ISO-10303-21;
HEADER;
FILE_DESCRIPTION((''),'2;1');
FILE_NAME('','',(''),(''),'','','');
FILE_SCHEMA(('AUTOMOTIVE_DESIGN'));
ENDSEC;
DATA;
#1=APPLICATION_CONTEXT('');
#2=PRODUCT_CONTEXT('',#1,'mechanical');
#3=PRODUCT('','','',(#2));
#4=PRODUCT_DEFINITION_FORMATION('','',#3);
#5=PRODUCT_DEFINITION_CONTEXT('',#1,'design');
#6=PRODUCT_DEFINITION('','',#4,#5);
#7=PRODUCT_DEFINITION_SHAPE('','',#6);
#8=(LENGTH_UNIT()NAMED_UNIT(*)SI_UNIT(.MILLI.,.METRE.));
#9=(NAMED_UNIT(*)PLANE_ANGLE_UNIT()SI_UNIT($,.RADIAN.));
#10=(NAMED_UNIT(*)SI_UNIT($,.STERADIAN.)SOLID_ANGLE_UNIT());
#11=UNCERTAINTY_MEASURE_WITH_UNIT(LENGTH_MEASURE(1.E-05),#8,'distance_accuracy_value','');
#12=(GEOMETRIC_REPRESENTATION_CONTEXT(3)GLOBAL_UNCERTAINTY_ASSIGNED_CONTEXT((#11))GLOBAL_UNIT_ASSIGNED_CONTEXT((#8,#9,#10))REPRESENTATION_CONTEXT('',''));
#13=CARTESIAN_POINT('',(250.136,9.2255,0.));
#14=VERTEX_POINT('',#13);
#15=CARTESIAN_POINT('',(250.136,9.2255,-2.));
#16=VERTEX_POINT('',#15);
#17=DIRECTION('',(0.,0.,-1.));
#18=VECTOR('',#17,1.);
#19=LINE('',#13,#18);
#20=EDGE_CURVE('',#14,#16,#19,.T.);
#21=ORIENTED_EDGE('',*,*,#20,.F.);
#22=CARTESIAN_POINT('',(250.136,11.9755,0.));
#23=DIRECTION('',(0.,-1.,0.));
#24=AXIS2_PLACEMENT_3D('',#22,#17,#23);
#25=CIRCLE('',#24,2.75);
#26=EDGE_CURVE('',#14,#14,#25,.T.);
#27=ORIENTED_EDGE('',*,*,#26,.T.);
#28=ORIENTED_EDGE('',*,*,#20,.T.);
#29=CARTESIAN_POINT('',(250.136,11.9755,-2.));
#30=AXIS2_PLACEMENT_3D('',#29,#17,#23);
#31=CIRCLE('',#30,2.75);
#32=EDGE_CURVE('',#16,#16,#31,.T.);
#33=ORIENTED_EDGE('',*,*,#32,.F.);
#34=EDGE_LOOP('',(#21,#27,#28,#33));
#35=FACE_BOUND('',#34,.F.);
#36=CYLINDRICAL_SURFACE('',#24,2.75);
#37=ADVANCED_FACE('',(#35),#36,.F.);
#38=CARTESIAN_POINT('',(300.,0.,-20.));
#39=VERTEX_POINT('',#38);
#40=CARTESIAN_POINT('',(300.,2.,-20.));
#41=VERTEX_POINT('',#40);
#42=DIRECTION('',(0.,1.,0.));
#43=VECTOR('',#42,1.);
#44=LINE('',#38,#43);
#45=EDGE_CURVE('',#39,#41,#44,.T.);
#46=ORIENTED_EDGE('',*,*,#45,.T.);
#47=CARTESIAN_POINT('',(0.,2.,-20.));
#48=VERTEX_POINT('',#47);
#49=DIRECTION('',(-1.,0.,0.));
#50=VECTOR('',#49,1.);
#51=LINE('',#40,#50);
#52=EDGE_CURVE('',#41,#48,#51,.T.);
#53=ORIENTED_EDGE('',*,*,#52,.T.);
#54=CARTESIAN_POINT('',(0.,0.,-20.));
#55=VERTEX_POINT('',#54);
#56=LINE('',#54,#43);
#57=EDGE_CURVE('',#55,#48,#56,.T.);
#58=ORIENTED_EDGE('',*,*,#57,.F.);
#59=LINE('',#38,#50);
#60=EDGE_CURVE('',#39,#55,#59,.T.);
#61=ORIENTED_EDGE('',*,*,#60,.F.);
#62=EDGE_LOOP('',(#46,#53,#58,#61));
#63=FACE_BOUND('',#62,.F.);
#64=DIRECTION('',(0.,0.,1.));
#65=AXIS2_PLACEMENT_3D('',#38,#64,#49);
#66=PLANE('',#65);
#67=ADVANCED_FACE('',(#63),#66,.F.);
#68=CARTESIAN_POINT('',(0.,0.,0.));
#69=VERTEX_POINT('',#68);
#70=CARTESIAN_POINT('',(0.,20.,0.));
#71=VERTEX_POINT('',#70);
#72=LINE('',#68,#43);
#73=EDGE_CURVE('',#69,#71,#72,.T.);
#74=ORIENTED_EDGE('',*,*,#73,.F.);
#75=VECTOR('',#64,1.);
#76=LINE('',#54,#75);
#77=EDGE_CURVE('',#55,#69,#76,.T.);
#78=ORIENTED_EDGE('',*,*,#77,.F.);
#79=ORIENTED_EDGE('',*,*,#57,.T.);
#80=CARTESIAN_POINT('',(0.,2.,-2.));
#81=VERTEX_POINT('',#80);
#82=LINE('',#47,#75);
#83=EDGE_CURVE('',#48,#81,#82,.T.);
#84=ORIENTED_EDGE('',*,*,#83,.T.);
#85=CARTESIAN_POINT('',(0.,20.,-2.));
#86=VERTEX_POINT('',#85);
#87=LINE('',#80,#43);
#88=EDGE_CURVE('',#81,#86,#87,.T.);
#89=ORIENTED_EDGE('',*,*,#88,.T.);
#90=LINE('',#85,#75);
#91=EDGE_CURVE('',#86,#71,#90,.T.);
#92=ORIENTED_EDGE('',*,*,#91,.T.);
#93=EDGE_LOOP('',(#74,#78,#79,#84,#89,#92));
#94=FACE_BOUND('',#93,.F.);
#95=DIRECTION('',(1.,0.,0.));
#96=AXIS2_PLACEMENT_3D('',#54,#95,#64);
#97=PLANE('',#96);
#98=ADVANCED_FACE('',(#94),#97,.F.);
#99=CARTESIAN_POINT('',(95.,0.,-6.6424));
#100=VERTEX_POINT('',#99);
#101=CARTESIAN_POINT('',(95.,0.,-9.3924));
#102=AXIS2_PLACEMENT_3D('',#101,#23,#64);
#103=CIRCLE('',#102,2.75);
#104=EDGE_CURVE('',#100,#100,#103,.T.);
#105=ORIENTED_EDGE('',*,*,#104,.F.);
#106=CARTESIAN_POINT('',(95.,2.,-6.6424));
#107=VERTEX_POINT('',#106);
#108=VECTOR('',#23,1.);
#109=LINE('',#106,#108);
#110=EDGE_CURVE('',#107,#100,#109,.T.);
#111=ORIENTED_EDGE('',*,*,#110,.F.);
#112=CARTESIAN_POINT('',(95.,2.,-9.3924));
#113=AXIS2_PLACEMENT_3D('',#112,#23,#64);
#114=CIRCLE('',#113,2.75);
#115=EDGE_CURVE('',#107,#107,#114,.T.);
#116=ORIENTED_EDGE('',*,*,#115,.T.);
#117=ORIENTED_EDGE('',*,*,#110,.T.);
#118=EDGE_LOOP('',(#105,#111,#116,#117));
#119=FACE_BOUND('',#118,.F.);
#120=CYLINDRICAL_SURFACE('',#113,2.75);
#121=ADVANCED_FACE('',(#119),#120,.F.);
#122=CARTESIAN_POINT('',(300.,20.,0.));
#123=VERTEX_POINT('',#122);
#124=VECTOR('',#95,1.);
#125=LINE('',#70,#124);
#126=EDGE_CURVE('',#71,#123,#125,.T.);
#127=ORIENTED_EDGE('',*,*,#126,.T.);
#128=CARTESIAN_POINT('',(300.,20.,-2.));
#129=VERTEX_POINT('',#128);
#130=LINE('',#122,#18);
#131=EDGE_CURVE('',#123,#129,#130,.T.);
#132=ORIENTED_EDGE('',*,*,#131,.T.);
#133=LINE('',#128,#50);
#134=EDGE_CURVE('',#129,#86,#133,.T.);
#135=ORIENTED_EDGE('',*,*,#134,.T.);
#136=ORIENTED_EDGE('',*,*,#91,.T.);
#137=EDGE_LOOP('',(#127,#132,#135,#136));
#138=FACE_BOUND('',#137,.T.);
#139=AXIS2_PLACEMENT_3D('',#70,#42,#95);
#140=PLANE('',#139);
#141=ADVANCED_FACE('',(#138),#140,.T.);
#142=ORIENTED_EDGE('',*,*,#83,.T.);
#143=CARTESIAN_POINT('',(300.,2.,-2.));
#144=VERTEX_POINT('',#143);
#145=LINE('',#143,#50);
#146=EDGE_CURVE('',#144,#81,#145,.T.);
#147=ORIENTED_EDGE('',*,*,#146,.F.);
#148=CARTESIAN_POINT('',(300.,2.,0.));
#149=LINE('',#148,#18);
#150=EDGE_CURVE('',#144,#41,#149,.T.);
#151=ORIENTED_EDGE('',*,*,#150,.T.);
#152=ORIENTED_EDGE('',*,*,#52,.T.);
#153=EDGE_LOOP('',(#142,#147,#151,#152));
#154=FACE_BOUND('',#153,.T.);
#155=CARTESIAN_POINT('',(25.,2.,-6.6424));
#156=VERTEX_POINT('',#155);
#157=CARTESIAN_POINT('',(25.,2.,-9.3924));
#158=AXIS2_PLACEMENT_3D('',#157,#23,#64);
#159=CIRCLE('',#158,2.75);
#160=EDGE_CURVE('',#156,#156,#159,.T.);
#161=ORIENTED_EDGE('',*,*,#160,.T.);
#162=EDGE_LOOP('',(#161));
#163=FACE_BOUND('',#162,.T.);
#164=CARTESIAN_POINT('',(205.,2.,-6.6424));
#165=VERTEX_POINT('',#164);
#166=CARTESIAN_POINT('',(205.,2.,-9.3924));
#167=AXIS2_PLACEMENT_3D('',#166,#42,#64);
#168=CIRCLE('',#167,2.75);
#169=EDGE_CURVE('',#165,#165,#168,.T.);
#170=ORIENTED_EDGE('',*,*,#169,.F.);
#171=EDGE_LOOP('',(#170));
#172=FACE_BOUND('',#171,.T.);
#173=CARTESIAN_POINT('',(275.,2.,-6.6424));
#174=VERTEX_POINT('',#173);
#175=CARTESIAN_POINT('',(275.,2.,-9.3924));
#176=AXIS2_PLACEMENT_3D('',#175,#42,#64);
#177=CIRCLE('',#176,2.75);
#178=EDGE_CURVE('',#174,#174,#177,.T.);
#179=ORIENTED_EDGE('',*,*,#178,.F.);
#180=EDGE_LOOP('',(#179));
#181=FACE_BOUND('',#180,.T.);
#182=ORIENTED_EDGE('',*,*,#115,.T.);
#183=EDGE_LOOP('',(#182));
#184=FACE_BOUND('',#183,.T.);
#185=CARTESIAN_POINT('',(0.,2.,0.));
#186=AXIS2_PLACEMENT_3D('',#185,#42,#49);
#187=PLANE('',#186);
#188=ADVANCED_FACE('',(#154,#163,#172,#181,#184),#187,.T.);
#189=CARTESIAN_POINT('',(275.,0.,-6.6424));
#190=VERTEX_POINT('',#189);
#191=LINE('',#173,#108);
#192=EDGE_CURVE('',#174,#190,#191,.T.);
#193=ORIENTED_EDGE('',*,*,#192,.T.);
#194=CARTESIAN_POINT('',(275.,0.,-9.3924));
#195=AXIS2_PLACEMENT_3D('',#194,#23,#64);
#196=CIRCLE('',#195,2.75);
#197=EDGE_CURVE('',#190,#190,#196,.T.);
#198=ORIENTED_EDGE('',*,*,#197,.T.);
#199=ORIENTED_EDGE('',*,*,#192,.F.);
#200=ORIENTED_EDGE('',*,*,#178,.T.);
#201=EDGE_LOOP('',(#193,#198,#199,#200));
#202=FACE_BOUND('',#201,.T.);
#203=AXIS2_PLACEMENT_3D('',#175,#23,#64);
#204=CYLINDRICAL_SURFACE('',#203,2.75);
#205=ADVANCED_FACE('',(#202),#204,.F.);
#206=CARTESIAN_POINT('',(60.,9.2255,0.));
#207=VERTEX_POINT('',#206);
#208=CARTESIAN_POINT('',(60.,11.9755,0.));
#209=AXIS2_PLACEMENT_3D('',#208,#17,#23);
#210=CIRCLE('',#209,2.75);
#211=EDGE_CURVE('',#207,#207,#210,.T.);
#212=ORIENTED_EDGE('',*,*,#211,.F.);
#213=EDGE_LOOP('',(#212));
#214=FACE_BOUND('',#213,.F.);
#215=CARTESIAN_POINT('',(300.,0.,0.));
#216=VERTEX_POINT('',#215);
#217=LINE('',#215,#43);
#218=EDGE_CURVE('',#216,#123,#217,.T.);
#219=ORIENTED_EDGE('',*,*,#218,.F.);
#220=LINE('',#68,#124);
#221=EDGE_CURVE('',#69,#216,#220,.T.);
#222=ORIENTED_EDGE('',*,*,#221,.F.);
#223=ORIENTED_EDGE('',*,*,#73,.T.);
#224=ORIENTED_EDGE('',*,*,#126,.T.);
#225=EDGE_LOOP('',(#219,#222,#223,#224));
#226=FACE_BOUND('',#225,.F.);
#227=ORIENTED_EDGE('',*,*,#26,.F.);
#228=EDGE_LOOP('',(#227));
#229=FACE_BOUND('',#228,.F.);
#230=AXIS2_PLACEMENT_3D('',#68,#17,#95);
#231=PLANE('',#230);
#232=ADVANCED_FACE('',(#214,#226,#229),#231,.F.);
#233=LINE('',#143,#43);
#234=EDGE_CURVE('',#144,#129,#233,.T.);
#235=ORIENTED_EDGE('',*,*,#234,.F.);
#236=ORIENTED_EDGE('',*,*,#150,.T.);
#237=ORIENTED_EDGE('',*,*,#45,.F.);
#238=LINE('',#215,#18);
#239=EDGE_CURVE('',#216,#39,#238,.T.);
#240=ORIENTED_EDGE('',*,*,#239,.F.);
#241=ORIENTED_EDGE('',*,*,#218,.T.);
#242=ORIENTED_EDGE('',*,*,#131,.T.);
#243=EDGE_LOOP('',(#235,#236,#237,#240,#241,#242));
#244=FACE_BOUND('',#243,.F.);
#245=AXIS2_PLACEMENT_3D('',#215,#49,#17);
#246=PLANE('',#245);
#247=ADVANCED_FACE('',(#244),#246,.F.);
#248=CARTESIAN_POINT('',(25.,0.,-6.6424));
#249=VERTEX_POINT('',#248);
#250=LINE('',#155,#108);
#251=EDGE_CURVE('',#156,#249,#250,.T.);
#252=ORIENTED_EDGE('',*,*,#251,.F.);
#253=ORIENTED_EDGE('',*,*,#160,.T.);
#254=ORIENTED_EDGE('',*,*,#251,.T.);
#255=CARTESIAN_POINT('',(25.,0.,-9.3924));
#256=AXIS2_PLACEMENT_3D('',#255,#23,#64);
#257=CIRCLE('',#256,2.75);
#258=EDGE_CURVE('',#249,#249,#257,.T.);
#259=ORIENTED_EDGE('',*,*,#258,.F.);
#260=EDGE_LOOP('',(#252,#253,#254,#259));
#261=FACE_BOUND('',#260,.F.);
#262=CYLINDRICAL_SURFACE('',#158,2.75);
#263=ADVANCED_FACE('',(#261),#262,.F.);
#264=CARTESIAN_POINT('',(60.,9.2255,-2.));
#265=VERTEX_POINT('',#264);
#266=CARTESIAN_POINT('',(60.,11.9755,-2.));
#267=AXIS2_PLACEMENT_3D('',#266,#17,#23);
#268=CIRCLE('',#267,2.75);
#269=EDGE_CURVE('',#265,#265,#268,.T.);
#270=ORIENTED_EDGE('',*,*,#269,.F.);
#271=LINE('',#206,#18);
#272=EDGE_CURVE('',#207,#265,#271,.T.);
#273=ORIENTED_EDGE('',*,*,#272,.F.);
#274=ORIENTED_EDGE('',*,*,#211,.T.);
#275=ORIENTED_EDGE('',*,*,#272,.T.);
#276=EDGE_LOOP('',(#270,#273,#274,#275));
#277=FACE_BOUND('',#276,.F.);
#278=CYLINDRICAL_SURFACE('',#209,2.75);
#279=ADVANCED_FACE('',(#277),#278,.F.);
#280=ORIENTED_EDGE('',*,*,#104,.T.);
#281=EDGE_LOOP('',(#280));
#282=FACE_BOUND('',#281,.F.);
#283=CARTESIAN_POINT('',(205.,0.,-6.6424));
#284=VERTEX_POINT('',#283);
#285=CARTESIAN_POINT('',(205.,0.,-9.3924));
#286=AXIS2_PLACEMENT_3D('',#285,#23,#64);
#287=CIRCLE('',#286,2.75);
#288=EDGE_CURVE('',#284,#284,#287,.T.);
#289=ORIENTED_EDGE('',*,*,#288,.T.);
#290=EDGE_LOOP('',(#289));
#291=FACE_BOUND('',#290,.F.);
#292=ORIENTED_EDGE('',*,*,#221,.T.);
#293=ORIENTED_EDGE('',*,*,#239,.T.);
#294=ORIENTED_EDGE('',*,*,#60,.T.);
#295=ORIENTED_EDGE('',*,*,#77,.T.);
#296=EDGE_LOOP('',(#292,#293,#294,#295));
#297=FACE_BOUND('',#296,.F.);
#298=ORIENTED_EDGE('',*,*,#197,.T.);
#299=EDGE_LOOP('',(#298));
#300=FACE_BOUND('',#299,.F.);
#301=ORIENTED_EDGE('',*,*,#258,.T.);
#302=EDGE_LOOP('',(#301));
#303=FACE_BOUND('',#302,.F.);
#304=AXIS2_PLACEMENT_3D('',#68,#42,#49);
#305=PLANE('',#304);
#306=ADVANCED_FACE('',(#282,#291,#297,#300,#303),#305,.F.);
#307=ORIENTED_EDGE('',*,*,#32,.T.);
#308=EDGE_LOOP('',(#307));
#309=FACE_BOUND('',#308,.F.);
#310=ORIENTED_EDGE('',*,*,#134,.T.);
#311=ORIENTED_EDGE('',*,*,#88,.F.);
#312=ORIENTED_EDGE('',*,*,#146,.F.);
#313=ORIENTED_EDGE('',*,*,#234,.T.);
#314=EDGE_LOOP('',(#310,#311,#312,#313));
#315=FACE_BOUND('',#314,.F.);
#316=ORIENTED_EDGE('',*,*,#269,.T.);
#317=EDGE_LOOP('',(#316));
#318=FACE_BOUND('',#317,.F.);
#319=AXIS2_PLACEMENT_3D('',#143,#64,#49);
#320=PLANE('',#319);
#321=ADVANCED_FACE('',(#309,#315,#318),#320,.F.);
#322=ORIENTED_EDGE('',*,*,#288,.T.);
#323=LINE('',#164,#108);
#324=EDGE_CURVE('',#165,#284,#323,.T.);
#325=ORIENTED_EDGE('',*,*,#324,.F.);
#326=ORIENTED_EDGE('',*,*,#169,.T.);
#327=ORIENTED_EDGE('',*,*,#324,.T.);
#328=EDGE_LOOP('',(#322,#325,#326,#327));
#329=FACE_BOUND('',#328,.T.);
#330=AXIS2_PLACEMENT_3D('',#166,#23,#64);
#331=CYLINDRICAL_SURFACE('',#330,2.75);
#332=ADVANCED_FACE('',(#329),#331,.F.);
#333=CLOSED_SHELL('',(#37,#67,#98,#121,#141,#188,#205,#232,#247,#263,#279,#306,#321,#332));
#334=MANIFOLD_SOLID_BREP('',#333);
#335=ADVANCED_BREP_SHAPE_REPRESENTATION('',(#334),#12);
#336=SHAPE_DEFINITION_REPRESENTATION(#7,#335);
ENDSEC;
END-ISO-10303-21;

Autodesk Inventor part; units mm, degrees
ref_plane "XZ Plane" through (0, 0, 0) normal (0, 1, 0) x (-1, 0, 0)
ref_plane "XY Plane" through (0, 0, 0) normal (0, 0, 1) x (1, 0, 0)
sketch "Sketch1" plane through (0, 0, 0) normal (0, 1, 0) x (-1, 0, 0)
  line L0 (0, 0) -> (-300, 0)
  line L1 (-300, 0) -> (-300, -20)
  line L2 (-300, -20) -> (0, -20)
  line L3 (0, -20) -> (0, 0)
  dimension "d0" = 300
  dimension "d1" = 20
extrude "Extrusion1" add sketch "Sketch1" along normal blind 2
sketch "Sketch2" plane through (0, 2, 0) normal (0, 1, 0) x (1, 0, 0)
  line L0 (0, 0) -> (300, 0)
  line L1 (300, 0) -> (300, 2)
  line L2 (300, 2) -> (0, 2)
  line L3 (0, 2) -> (0, 0)
  dimension "d4" = 300
  dimension "d5" = 2
extrude "Extrusion2" add sketch "Sketch2" along normal blind 18
hole "Hole1" at (60, 11.9755, 0) direction (0, 0, -1) diameter 5.5 end through all
pattern_linear "Rectangular Pattern1" count 2 spacing 190.136 along (1, 0, 0) of "Hole1"
hole "Hole2" at (25, 2, -9.3924) direction (0, -1, 0) diameter 5.5 end through all
pattern_linear "Rectangular Pattern2" count 2 spacing 70 along (1, 0, 0) of "Hole2"
ref_plane "Work Plane1" through (150, 0, 0) normal (1, 0, 0) x (0, 1, 0)
mirror "Mirror1" about plane through (150, 0, 0) normal (1, 0, 0) of "Hole2", "Rectangular Pattern2"
properties part number "Lbarx1 small" material "Aluminum 6061"
